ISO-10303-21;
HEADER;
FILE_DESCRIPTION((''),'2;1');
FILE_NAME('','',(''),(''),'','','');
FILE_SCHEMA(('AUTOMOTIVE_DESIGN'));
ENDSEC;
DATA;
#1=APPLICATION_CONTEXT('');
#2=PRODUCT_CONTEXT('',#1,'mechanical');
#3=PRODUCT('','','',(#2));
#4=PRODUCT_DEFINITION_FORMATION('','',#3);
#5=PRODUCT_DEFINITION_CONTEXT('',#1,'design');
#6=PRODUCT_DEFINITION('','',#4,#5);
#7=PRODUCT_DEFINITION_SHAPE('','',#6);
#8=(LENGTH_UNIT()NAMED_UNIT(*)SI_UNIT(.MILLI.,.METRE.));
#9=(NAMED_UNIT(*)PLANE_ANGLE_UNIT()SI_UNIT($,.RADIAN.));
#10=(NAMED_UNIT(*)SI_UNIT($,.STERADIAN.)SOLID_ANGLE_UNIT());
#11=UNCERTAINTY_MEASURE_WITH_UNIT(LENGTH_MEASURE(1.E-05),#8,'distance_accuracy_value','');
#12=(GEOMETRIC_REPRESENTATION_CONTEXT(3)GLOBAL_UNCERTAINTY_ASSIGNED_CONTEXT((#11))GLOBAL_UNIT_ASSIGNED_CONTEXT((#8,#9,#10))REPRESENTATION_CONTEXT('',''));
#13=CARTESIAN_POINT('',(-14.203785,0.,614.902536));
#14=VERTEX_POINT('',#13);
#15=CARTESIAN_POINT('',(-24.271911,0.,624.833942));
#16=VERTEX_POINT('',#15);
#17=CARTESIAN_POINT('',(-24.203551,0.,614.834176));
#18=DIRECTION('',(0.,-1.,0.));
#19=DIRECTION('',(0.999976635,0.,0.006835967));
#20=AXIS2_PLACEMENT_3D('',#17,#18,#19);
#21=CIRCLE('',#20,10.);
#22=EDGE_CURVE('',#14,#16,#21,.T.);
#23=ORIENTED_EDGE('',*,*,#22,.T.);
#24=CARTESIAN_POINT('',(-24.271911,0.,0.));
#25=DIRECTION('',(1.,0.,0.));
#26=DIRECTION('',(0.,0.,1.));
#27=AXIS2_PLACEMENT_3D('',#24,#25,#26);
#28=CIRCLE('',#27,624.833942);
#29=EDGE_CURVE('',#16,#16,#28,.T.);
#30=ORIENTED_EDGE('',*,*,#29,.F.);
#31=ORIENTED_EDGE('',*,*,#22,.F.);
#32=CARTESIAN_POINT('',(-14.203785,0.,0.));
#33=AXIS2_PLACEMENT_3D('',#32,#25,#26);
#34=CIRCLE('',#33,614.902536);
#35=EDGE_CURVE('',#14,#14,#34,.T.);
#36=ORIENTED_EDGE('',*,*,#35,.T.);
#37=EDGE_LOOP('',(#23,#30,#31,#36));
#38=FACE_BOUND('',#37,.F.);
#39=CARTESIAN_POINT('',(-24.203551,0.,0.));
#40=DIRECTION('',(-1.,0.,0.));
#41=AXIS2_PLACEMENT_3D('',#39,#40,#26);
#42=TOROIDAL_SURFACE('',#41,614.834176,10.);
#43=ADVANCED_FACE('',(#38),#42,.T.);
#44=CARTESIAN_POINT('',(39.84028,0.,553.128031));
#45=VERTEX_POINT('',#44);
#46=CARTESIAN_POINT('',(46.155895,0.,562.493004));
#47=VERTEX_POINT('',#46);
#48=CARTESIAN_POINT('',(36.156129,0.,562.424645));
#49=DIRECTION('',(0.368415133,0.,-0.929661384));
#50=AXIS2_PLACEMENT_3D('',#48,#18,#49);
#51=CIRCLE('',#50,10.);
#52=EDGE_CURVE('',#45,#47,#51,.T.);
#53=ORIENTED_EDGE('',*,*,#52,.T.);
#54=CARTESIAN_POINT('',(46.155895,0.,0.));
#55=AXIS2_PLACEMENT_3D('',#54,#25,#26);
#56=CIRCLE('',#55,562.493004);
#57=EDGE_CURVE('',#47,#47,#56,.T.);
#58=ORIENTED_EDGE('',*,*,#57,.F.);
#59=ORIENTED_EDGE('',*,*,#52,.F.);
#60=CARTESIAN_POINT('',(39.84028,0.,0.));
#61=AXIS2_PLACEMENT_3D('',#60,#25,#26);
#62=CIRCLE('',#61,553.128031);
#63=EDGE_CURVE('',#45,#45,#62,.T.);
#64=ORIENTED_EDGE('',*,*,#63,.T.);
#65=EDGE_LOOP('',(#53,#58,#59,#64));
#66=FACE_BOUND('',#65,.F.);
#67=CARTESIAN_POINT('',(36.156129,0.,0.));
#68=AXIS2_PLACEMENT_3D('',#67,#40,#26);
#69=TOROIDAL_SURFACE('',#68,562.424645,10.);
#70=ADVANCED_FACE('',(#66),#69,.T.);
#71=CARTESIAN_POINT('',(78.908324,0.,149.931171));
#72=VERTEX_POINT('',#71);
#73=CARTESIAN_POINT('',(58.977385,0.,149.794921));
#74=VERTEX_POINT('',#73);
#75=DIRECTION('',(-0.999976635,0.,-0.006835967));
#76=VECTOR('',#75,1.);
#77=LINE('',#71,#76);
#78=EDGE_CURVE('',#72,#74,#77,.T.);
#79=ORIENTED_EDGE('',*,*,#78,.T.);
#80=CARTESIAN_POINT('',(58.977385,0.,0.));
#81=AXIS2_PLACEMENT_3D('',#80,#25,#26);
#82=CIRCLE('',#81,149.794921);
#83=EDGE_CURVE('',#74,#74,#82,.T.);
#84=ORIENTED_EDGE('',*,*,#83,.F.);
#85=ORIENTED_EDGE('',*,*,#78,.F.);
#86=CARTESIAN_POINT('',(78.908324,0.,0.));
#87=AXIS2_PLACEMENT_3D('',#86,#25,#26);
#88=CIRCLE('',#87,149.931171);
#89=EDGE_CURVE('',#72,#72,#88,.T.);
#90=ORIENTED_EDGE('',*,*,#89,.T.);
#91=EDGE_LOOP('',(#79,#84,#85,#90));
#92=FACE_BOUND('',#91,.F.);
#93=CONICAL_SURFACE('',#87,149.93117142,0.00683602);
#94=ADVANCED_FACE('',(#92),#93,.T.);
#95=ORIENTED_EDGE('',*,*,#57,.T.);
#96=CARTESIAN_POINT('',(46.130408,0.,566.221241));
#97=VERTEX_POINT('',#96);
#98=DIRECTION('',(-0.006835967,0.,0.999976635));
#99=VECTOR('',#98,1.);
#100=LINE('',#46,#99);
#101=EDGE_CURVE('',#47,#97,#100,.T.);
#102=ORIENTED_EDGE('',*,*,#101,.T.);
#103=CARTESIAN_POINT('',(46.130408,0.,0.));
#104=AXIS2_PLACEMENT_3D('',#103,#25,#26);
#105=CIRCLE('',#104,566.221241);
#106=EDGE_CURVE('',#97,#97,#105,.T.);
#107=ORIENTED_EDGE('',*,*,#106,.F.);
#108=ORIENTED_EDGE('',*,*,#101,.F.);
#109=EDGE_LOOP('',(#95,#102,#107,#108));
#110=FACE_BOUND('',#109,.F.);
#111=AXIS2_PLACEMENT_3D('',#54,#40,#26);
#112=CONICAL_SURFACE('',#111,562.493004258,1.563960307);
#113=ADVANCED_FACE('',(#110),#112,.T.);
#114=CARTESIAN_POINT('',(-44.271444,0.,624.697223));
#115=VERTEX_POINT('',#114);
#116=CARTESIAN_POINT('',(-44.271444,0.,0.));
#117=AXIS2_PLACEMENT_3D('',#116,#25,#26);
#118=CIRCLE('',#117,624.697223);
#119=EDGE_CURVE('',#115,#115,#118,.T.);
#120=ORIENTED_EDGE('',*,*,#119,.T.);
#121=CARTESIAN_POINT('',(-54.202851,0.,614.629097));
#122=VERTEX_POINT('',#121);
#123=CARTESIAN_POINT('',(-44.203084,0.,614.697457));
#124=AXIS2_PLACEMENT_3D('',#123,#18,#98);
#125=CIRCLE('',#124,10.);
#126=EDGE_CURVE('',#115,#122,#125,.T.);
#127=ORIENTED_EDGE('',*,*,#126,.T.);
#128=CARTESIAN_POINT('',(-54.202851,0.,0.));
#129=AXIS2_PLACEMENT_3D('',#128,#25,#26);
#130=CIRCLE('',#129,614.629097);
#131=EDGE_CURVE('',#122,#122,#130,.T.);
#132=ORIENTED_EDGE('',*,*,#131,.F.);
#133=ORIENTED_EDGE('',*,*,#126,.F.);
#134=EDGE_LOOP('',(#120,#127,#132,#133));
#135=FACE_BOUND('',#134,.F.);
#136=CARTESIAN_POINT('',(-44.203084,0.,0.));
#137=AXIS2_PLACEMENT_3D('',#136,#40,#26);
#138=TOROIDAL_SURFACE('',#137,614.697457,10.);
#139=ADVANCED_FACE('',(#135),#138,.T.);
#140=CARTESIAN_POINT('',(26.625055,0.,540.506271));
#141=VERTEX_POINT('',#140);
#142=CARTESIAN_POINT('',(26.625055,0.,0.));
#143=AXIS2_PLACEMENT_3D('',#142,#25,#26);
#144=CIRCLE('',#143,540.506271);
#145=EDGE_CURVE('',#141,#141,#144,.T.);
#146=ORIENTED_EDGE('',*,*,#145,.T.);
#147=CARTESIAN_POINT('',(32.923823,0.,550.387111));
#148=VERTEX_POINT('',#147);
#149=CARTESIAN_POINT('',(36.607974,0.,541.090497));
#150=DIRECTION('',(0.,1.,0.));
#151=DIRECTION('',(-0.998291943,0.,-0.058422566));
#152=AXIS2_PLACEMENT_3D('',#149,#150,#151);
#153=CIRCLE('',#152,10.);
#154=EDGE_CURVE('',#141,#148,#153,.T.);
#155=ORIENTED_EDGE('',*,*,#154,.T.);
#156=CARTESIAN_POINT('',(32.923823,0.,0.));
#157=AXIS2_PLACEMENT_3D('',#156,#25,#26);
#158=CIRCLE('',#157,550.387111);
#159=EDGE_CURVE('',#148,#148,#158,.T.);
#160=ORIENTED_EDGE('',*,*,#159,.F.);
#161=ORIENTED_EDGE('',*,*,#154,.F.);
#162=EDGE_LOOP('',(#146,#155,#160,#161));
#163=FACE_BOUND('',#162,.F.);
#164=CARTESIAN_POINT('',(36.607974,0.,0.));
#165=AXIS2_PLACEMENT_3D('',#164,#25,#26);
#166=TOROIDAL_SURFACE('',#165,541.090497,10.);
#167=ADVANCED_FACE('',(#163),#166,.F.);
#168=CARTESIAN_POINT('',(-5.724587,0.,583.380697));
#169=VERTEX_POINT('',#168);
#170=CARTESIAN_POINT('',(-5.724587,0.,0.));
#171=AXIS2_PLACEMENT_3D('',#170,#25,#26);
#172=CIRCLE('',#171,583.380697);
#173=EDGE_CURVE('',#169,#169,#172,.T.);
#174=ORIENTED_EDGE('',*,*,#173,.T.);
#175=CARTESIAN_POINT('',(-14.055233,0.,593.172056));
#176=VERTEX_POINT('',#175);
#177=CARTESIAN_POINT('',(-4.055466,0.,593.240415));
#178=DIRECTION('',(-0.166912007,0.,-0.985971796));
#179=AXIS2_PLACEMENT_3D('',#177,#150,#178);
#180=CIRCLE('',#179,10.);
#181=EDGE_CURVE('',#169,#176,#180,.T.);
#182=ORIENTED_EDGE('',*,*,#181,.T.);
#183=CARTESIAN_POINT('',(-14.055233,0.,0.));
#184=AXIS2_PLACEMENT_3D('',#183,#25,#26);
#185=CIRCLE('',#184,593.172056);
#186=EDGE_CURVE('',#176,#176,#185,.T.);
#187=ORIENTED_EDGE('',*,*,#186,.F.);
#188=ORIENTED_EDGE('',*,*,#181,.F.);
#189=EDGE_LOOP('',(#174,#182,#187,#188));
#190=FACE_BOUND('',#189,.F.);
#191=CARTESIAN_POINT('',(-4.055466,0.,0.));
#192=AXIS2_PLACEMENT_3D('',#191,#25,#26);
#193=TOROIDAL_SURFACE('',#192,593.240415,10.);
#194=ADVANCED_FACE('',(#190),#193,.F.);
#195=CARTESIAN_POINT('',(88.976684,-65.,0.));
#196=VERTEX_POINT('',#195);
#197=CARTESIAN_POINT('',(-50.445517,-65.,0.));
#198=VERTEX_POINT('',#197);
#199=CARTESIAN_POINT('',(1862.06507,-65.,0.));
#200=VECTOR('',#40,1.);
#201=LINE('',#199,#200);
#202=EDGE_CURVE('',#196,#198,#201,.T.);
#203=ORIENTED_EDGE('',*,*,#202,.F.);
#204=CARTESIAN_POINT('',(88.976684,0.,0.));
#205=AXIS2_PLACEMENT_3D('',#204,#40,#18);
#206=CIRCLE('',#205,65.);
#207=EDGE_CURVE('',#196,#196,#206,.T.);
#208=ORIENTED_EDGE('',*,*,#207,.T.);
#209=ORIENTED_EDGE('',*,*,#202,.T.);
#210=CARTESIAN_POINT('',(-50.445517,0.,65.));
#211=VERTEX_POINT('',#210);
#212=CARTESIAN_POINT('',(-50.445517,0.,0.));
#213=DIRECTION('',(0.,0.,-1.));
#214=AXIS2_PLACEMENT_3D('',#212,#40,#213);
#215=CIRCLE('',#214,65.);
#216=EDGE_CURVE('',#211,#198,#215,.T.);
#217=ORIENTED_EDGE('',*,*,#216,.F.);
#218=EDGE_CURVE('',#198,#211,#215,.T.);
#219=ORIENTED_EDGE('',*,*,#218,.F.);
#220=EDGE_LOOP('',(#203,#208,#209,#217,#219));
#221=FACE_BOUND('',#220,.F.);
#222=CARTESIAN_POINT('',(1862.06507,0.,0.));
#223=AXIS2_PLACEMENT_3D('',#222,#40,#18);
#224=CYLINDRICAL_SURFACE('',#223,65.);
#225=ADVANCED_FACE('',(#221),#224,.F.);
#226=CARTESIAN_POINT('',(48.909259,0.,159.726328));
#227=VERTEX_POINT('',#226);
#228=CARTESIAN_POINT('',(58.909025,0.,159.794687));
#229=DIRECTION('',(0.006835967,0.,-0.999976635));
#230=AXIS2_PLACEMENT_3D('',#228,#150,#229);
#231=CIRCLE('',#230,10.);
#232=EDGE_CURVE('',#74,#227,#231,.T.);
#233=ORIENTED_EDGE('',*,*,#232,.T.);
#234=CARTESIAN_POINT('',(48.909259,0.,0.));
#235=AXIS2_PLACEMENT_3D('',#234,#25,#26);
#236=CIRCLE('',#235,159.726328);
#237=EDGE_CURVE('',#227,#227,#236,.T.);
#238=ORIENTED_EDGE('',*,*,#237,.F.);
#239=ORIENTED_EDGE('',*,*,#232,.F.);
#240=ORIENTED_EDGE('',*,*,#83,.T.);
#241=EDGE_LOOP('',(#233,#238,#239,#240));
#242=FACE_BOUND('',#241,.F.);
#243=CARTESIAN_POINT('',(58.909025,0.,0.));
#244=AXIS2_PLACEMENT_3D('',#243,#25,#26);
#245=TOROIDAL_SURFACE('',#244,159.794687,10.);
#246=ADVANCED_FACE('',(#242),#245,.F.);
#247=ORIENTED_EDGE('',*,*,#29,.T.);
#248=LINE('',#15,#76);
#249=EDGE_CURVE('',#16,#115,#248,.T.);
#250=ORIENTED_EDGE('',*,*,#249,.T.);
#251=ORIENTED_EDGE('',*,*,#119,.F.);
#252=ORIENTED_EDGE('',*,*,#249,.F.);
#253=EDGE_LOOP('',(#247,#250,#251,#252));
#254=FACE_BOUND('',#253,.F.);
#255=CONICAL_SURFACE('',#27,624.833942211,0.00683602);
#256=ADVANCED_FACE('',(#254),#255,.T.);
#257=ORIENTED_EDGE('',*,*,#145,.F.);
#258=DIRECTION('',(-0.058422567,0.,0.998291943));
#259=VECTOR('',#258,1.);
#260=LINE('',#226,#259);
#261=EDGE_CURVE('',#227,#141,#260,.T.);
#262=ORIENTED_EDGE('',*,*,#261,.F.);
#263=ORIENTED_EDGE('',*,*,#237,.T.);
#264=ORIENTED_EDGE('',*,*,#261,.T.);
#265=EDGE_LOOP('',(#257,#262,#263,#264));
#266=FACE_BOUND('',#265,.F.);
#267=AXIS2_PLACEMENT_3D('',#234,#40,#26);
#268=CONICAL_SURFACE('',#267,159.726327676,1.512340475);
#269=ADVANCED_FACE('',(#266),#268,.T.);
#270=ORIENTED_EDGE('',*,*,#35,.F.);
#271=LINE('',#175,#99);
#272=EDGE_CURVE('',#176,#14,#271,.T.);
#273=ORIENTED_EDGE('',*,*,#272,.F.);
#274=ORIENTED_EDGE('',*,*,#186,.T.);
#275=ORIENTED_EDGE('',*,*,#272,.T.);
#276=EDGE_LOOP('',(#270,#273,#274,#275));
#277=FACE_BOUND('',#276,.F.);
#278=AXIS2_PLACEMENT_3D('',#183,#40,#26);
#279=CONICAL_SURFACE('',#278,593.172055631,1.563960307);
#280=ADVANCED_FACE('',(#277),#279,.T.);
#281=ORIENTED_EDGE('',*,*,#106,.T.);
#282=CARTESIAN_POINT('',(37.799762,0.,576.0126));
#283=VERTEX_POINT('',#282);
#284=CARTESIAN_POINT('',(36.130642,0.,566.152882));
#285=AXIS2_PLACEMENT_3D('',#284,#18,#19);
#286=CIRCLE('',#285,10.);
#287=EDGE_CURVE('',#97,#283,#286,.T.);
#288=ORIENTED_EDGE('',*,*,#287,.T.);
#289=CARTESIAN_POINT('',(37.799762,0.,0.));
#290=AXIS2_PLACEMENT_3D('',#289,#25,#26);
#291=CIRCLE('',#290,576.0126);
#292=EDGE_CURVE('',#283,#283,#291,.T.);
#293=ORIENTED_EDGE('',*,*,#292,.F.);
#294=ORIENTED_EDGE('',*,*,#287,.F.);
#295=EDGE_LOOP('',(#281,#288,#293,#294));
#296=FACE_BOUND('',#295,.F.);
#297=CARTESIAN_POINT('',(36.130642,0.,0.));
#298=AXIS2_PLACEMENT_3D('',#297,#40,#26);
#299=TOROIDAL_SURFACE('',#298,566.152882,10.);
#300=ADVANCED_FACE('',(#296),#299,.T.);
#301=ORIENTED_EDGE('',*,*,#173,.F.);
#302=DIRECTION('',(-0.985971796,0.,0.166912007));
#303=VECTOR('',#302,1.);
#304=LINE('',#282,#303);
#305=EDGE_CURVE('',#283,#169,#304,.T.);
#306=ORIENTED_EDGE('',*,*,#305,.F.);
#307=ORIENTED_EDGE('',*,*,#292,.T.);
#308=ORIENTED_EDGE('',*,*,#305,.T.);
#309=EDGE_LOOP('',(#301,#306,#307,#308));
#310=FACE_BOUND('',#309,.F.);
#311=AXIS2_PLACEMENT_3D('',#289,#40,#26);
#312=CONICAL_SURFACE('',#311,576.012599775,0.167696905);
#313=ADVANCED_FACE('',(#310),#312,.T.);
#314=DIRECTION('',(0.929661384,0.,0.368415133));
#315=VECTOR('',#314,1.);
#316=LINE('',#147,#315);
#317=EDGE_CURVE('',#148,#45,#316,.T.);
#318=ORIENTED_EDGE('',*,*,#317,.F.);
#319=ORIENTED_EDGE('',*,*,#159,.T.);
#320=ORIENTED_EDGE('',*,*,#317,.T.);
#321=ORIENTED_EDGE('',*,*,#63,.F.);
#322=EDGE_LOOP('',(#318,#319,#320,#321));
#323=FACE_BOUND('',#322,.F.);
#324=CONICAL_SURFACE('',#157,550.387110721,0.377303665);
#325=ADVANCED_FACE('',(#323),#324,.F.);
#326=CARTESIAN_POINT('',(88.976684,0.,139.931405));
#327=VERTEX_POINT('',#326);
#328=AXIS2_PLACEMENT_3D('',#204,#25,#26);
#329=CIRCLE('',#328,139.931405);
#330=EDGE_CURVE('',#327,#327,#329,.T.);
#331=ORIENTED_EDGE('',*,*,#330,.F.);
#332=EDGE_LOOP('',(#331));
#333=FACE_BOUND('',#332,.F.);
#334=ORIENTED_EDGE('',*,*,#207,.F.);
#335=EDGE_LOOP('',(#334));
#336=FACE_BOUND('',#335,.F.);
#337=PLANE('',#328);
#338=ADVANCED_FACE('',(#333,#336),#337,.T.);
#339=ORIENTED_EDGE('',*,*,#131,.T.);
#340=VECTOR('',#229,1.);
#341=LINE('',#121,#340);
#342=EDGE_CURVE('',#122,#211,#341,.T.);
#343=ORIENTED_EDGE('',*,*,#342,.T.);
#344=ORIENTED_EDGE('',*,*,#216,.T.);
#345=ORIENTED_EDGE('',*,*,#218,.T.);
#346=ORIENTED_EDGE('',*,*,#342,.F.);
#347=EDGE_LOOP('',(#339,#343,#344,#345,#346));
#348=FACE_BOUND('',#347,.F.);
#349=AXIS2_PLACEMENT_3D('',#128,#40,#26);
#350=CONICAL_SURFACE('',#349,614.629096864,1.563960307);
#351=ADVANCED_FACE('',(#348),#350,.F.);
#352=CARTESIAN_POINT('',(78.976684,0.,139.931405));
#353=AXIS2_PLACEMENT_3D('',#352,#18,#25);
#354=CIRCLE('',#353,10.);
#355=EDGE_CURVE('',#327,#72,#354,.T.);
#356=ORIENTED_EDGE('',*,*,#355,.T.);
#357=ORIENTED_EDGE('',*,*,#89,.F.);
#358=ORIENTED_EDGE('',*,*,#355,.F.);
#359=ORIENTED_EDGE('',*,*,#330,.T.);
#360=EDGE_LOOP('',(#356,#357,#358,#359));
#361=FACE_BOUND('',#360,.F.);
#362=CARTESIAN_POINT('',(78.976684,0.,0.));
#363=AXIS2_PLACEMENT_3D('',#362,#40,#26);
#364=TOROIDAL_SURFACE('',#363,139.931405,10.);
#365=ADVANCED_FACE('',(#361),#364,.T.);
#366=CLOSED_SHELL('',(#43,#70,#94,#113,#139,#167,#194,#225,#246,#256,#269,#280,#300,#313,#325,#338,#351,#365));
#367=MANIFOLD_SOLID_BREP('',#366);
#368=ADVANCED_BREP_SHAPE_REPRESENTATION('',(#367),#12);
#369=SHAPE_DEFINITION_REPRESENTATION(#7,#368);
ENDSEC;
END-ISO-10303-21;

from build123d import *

# Parameters (mm, degrees)
F4_D = 130


with BuildPart() as f2:
    # F0 (on Front) → F2 (revolve)
    with BuildSketch(Plane.XZ):
        with BuildLine():
            Line((-24.2719111572, 624.8339422107), (-44.2714438474, 624.6972228764))
            ThreePointArc((-44.2714438474, 624.6972228764), (-51.3223243573, 621.72002154), (-54.2028505253, 614.6290968642))
            Line((-54.2028505253, 614.6290968642), (-50.001168302, 0))
            Line((-50.001168302, 0), (50.001168302, 0))
            Line((50.001168302, 0), (88.9766839767, 0))
            Line((88.9766839767, 0), (88.9766839767, 139.9314050751))
            ThreePointArc((88.9766839767, 139.9314050751), (86.0235415504, 147.0266005154), (78.9083243095, 149.9311714202))
            Line((78.9083243095, 149.9311714202), (58.9773849415, 149.7949209985))
            ThreePointArc((58.9773849415, 149.7949209985), (51.8864602657, 152.6754471665), (48.9092589293, 159.7263276764))
            Line((48.9092589293, 159.7263276764), (26.6250546653, 540.5062712109))
            ThreePointArc((26.6250546653, 540.5062712109), (28.1755987995, 546.4659081949), (32.9238227669, 550.3871107208))
            Line((32.9238227669, 550.3871107208), (39.8402799848, 553.1280307462))
            ThreePointArc((39.8402799848, 553.1280307462), (44.4469719748, 556.8334088558), (46.155895, 562.4930042582))
            Line((46.155895, 562.4930042582), (46.130408299, 566.2212414858))
            ThreePointArc((46.130408299, 566.2212414858), (43.746966648, 572.6329742682), (37.7997620266, 576.0125997752))
            Line((37.7997620266, 576.0125997752), (-5.7245865643, 583.380697342))
            ThreePointArc((-5.7245865643, 583.380697342), (-11.6717911857, 586.760322849), (-14.0552328367, 593.1720556314))
            Line((-14.0552328367, 593.1720556314), (-14.203785145, 614.9025355328))
            ThreePointArc((-14.203785145, 614.9025355328), (-17.1809864814, 621.9534160427), (-24.2719111572, 624.8339422107))
        make_face()
    revolve(axis=Axis((0, 0, 0), (1, 0, 0)))

    # F4 (through all)
    with Locations(Plane.YZ.offset(88.9766839767)):
        with Locations((0, 0)):
            Hole(F4_D / 2)


solid = f2.part
